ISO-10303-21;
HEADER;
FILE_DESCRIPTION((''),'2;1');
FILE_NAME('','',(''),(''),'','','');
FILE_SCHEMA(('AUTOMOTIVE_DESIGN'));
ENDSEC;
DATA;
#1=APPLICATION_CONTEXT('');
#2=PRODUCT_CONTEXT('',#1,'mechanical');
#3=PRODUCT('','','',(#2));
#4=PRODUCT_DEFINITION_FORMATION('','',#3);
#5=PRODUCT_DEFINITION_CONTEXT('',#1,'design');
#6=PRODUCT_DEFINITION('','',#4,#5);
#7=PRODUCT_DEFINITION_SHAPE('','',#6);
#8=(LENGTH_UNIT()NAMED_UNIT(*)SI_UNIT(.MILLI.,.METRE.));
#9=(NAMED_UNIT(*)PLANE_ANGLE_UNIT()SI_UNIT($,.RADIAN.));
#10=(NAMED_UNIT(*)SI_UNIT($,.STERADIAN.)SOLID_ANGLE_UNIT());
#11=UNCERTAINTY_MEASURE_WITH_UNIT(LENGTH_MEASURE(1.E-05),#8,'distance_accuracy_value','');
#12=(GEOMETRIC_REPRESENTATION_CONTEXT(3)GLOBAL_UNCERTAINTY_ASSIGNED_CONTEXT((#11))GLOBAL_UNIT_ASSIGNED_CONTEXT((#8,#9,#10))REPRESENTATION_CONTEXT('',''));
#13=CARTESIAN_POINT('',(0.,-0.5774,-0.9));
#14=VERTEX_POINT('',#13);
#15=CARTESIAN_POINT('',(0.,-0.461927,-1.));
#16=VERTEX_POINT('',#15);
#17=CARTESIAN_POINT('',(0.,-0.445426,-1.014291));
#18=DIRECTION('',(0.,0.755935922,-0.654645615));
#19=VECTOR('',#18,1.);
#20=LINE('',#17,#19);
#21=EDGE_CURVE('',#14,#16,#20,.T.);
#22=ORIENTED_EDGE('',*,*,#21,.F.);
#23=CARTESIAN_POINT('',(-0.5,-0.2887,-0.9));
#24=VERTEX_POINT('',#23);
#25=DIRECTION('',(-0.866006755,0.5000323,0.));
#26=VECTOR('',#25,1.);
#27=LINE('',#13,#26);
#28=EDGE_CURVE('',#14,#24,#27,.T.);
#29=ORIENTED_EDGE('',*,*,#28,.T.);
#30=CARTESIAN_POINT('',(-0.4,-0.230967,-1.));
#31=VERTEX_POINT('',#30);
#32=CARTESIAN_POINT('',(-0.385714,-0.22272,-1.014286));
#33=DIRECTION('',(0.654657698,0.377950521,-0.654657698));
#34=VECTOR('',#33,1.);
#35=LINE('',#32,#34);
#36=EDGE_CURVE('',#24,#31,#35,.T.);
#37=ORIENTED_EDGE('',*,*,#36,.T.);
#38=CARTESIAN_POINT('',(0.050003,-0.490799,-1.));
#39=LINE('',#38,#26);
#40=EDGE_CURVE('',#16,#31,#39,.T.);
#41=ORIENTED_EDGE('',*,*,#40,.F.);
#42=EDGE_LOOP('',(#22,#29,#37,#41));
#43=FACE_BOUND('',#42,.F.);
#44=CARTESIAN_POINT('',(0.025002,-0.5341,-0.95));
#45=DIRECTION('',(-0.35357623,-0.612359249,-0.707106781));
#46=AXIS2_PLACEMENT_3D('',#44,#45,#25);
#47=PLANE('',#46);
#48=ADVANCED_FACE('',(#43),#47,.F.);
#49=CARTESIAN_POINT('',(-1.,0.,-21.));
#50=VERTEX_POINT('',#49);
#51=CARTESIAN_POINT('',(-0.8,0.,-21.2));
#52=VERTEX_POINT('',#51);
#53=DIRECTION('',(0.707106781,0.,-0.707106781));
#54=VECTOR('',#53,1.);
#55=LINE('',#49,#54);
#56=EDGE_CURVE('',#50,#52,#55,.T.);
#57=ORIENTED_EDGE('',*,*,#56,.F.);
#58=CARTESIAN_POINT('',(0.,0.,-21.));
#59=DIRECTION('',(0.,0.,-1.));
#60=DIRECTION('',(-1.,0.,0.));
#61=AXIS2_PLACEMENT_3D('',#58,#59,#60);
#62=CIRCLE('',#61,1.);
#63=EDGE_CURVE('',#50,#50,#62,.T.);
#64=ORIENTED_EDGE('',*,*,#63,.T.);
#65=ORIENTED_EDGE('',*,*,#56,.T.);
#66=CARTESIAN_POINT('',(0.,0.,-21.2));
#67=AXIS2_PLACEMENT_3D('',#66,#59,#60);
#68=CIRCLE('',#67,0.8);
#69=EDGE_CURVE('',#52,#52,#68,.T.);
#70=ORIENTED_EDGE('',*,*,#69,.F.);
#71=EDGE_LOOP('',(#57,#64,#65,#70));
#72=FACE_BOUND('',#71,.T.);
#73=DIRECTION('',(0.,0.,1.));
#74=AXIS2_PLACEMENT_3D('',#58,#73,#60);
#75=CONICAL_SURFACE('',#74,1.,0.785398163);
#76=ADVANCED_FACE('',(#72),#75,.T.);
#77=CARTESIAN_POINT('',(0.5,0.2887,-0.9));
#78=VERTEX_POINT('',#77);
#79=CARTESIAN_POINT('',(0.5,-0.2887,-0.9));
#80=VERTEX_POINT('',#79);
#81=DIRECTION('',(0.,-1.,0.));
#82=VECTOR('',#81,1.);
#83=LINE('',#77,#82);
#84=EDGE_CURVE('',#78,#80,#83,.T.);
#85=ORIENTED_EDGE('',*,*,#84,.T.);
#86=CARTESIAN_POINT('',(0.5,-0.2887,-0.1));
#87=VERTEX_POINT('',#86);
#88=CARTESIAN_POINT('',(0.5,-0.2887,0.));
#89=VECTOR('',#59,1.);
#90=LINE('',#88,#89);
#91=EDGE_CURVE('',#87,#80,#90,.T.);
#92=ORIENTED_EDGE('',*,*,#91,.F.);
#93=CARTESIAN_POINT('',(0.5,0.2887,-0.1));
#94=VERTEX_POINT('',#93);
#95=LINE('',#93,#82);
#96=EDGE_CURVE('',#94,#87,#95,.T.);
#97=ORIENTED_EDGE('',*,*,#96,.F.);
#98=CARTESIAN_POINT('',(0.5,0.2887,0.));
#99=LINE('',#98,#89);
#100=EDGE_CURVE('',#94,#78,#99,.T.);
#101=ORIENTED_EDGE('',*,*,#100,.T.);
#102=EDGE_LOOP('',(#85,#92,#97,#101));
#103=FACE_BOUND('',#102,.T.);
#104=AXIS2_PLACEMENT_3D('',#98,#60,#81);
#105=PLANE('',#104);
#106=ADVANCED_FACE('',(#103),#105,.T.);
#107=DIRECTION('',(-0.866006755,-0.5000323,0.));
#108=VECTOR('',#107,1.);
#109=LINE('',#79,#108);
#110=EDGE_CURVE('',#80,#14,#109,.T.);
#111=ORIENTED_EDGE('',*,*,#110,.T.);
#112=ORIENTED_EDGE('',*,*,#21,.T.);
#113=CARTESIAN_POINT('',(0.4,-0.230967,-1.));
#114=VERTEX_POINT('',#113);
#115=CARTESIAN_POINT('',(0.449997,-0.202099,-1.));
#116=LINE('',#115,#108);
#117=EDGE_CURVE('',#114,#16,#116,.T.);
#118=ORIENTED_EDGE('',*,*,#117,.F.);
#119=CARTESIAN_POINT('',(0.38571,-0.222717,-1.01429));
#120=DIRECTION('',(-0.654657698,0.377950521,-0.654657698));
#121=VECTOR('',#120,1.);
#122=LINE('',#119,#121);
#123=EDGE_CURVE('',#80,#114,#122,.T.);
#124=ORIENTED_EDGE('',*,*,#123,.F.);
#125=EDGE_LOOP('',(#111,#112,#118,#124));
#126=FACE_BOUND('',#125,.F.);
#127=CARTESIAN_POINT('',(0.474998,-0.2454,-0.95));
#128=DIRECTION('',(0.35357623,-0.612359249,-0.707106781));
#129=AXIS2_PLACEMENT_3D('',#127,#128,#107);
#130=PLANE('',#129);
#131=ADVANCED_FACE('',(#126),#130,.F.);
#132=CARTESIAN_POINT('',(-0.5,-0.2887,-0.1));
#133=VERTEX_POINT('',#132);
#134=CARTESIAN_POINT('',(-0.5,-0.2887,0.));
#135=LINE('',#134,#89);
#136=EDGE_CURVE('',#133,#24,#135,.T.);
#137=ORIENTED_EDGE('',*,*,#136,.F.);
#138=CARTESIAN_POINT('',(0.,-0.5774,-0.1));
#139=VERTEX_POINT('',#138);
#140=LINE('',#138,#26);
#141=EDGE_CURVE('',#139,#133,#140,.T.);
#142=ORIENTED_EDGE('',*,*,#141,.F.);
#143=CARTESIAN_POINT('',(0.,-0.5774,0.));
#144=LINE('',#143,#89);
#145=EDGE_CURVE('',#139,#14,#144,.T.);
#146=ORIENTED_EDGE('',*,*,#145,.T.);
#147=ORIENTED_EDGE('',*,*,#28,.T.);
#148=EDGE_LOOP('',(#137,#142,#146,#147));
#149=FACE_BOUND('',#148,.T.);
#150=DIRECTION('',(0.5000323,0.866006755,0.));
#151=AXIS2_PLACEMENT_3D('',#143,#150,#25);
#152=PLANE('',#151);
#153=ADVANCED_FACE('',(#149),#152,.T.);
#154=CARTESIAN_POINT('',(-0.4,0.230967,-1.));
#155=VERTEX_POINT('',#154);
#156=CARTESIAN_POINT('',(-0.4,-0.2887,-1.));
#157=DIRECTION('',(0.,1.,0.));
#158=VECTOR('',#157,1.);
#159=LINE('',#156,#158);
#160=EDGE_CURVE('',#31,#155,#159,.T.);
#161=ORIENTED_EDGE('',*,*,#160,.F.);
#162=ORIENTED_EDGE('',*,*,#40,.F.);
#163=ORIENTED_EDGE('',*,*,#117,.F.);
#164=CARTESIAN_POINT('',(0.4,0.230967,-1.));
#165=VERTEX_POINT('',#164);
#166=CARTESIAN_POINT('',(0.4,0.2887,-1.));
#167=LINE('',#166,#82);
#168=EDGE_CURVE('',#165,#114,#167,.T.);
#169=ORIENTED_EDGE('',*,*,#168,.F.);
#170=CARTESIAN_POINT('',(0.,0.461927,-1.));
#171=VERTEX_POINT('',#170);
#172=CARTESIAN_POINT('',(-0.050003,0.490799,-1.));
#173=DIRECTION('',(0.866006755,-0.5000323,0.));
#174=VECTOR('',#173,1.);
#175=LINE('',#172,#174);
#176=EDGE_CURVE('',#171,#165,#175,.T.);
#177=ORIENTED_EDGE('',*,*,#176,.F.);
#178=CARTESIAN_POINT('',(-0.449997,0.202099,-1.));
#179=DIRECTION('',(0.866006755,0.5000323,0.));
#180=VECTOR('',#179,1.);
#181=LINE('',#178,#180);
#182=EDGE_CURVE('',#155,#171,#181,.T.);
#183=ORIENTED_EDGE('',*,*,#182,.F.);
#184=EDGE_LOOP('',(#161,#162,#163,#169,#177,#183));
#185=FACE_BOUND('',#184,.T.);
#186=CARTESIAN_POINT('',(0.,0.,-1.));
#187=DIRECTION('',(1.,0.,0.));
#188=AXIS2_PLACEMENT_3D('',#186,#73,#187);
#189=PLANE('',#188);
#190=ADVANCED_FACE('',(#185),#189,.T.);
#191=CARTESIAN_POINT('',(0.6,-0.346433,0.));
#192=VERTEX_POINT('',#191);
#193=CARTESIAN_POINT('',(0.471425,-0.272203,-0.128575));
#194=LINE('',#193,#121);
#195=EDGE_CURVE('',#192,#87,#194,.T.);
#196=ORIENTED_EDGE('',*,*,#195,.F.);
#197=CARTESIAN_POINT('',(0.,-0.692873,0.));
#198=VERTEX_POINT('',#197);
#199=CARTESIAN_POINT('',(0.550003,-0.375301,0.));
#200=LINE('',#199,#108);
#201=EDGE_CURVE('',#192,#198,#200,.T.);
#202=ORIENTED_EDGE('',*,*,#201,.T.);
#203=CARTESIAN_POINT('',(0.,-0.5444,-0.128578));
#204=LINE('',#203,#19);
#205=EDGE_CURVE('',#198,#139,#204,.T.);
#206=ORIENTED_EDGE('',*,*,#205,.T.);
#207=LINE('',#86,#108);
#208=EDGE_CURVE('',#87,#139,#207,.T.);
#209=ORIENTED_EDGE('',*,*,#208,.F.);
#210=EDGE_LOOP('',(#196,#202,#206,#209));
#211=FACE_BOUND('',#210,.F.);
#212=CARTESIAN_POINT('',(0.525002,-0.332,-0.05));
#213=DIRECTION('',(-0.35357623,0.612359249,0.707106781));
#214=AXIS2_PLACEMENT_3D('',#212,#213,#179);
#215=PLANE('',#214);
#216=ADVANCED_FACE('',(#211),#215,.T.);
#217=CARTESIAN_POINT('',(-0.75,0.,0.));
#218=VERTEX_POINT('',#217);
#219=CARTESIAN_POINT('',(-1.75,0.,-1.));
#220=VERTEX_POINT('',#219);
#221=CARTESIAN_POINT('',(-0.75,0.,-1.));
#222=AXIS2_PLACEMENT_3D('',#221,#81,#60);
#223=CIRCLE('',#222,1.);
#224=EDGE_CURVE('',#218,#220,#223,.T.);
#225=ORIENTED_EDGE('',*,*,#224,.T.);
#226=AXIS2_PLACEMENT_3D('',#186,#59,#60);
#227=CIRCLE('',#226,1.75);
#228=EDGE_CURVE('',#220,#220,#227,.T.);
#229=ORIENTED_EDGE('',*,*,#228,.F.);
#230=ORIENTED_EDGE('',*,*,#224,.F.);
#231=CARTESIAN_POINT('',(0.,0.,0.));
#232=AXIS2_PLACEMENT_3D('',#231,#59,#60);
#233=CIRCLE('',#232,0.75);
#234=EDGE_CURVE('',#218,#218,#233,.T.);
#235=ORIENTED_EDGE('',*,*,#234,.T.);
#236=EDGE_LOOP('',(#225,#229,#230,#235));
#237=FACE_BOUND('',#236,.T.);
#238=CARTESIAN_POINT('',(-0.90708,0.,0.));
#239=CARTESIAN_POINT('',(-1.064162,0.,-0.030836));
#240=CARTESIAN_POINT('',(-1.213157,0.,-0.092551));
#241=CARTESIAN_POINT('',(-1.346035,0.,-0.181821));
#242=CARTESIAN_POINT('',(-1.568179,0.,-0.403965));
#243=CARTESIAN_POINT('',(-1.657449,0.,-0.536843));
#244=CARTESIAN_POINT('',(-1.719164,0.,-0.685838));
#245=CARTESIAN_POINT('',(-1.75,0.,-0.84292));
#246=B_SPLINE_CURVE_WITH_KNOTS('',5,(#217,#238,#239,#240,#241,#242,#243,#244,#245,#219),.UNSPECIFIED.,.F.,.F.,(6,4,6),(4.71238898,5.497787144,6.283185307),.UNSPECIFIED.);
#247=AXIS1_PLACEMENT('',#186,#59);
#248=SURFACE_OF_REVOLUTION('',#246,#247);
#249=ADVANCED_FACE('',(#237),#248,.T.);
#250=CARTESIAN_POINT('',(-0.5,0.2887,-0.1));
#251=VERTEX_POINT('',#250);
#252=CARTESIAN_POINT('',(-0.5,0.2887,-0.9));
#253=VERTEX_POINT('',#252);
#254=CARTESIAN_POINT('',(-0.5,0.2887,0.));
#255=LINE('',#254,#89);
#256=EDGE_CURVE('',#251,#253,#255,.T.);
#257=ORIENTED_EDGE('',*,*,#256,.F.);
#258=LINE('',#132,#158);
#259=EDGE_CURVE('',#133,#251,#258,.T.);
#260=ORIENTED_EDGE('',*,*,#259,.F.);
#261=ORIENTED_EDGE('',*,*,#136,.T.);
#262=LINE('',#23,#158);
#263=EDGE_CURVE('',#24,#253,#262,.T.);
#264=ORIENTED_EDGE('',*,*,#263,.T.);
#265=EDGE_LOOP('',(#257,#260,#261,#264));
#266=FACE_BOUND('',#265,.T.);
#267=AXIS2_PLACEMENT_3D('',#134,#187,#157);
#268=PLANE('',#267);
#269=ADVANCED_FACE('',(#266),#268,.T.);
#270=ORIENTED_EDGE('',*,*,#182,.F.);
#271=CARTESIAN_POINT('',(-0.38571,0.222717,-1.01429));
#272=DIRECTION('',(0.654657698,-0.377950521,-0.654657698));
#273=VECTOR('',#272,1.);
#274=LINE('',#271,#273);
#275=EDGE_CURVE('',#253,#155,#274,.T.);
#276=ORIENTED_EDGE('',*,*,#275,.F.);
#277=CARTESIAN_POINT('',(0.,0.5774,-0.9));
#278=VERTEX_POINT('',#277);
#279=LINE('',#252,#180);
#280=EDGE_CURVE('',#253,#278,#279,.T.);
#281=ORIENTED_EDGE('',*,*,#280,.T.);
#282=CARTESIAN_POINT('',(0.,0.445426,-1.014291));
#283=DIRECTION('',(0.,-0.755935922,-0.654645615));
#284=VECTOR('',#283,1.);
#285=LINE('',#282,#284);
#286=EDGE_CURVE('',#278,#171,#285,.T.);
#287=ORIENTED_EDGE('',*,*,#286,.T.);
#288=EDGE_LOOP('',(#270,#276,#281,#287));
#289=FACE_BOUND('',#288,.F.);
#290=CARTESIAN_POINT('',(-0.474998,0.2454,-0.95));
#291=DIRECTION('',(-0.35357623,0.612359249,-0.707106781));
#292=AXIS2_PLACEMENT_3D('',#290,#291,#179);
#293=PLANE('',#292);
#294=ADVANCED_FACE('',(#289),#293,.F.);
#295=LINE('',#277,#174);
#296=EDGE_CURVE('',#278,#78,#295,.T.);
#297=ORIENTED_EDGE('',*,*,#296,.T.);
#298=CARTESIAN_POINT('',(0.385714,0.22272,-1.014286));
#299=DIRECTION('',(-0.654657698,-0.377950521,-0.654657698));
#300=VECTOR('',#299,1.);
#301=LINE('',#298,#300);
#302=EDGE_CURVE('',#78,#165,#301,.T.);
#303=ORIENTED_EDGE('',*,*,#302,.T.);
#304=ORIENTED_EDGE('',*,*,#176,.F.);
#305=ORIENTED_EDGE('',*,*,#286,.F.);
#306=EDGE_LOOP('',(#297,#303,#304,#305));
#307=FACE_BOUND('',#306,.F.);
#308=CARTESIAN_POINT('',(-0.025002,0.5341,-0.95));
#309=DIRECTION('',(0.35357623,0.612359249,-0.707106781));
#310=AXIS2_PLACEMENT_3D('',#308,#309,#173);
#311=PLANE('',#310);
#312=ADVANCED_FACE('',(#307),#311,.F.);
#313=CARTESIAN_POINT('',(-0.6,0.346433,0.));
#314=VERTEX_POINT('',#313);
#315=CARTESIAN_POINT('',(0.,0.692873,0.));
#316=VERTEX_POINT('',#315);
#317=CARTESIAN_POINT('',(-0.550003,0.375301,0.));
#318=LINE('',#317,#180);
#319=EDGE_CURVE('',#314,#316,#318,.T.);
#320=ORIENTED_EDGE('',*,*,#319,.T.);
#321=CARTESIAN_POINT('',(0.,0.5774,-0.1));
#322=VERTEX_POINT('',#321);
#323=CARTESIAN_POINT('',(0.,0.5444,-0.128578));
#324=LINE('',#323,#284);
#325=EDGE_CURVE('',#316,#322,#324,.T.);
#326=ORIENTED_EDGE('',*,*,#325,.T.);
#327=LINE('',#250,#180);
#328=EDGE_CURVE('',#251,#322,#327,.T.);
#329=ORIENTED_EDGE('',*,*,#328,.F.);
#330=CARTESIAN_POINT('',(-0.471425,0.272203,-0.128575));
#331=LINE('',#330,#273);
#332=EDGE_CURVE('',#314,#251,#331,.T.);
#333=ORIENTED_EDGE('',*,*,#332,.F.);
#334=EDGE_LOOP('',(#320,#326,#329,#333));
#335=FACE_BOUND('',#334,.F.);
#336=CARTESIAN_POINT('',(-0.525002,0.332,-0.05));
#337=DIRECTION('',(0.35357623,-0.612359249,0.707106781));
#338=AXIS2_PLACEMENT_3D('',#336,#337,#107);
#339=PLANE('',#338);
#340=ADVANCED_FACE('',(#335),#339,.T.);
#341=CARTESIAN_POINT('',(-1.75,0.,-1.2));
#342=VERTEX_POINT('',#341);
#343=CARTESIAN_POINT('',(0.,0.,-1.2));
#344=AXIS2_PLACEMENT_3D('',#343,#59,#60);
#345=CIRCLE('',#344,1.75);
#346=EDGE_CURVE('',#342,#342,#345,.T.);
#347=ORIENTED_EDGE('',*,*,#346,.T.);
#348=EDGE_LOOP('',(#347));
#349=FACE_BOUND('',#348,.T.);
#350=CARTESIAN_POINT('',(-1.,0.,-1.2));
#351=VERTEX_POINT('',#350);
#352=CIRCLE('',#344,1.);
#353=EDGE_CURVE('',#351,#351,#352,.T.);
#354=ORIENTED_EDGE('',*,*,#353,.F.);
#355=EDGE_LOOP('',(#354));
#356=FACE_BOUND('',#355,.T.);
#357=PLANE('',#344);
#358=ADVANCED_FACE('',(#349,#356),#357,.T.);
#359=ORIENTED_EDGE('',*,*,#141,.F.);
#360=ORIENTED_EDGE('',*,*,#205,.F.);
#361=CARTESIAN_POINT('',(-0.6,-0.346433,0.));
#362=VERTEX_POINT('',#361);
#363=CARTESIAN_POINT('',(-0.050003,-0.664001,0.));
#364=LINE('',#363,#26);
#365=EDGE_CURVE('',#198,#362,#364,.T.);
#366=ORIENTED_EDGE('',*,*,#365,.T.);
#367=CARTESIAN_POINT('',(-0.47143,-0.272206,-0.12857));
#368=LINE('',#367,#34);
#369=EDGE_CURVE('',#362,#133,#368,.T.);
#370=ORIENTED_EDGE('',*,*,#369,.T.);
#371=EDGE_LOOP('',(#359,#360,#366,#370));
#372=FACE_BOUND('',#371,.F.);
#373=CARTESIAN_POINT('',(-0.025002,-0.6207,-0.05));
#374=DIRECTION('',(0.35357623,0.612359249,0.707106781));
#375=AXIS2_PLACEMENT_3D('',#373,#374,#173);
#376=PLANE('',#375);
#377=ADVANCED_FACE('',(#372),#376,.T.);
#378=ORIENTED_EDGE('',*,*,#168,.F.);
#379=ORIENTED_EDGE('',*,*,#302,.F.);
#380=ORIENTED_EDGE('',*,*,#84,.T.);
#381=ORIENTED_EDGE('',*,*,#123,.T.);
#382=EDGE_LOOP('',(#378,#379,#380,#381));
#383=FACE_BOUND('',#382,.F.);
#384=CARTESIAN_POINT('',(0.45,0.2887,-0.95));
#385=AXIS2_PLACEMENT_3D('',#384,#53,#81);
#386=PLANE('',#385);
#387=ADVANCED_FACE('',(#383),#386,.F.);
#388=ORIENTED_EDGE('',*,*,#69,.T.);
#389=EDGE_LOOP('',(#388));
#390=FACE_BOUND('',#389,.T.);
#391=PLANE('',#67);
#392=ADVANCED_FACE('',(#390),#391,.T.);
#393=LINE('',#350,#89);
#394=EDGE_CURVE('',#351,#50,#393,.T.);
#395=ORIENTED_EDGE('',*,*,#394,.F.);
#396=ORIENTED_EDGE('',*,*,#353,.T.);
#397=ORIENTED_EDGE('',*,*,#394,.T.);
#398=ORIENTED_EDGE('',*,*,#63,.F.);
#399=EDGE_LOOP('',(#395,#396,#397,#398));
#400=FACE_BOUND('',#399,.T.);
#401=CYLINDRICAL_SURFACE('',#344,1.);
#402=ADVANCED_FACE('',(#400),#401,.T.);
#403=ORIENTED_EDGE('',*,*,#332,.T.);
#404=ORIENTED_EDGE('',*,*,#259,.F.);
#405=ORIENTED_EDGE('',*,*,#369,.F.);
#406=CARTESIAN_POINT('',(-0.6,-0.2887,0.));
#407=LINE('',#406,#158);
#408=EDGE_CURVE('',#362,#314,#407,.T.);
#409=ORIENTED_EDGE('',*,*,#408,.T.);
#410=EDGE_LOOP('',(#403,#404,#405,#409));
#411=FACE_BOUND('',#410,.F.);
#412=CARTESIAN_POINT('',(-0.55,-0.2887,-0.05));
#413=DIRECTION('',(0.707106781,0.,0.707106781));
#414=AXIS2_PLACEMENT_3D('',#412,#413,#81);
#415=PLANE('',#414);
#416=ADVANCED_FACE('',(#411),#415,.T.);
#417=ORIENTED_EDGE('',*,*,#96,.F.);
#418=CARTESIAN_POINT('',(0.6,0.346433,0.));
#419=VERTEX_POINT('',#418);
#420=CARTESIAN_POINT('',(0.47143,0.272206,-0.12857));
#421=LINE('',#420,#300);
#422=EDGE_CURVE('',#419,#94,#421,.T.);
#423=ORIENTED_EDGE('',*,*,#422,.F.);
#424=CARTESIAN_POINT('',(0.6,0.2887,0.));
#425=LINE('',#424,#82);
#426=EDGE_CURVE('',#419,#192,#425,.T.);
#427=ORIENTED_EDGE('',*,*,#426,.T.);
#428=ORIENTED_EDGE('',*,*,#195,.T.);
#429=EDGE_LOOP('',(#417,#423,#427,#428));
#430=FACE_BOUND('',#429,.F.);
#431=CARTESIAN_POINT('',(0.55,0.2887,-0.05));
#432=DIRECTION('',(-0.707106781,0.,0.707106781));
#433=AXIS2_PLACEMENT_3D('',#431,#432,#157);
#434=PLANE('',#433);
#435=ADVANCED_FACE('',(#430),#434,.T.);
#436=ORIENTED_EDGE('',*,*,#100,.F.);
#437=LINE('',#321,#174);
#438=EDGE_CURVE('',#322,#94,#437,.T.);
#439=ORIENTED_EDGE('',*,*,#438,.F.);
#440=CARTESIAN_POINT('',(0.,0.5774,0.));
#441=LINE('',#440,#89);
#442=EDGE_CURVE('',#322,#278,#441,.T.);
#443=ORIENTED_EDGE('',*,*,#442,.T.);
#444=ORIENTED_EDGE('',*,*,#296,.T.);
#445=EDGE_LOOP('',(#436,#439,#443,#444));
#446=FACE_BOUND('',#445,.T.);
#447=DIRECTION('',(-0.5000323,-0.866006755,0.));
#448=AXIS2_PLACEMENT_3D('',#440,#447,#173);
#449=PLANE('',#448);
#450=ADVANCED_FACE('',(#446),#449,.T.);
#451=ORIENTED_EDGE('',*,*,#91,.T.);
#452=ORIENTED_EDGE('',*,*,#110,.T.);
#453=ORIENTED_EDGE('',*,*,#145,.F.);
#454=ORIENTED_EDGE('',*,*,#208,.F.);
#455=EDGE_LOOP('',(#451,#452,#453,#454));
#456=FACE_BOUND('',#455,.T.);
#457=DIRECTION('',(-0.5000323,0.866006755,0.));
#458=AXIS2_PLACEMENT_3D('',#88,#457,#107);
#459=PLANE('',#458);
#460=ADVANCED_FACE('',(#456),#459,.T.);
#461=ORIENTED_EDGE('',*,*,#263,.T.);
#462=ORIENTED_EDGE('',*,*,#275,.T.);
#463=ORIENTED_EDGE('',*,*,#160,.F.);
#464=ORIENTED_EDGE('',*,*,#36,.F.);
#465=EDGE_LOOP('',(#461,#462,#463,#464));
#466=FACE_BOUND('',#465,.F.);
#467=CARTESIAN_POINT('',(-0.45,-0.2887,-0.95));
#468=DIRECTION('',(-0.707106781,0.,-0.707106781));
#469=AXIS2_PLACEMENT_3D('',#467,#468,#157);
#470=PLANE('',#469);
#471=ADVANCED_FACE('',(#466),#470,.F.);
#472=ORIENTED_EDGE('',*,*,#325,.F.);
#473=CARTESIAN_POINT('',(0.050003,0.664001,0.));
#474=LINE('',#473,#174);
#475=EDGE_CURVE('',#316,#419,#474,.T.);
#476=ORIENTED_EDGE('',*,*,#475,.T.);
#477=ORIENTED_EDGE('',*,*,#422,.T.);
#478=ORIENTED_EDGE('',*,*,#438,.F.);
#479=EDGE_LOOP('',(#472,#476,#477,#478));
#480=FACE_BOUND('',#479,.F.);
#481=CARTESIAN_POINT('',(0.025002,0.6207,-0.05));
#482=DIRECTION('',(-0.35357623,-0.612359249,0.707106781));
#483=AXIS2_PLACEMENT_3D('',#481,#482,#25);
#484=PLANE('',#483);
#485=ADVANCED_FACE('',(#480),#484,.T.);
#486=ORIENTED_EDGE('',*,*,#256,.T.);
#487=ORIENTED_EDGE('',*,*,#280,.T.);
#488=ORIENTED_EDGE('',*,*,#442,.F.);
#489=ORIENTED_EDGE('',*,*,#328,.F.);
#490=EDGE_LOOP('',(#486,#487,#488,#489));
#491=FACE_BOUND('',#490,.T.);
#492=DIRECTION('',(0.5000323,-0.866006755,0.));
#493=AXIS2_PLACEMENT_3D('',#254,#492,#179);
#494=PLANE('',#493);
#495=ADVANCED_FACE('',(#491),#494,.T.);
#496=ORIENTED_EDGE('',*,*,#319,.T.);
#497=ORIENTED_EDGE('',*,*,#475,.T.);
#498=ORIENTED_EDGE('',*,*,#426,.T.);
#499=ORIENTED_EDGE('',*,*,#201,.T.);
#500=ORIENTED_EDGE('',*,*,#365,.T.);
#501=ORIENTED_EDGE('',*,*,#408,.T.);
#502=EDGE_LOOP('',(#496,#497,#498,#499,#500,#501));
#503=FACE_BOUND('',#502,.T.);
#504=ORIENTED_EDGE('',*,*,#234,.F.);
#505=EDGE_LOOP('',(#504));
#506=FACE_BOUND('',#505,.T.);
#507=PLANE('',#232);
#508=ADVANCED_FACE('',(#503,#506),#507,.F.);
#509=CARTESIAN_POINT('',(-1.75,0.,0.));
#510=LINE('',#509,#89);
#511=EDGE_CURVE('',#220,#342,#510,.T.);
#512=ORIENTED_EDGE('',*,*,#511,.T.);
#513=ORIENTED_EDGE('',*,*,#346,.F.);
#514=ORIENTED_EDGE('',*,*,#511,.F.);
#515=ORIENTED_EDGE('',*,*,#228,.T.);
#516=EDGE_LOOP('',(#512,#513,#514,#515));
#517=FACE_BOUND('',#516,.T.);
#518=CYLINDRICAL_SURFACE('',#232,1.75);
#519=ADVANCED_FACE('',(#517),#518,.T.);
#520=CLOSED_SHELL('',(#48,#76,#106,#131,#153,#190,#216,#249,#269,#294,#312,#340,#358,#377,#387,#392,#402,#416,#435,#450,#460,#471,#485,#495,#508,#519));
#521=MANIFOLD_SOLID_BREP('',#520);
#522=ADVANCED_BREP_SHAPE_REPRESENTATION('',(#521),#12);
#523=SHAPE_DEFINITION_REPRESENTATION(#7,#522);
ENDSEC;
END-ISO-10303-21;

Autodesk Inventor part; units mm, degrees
ref_plane "YZ Plane" through (0, 0, 0) normal (1, 0, 0) x (0, 1, 0)
ref_plane "XZ Plane" through (0, 0, 0) normal (0, 1, 0) x (-1, 0, 0)
ref_plane "XY Plane" through (0, 0, 0) normal (0, 0, 1) x (1, 0, 0)
sketch "Sketch2" plane through (0, 0, 0) normal (0, 1, 0) x (-1, 0, 0)
  line L0 (0, 0) -> (1.75, 0)
  line L1 (1.75, 0) -> (1.75, -1.2)
  line L2 (1.75, -1.2) -> (1, -1.2)
  line L3 (1, -1.2) -> (1, -21.2)
  line L4 (1, -21.2) -> (0, -21.2)
  line L5 (0, 0) -> (0, -21.2)
  dimension "d9" = 1.75
  dimension "d10" = 1.2
  dimension "d12" = 20
  dimension "d19" = 2
revolve "Revolution1" add sketch "Sketch2" angle 360 about axis through (0, 0, 0) along (0, 0, -1)
fillet "Fillet1" radius 1 1 edges at (1.75, 0, 0)
chamfer "Chamfer1" distance 0.2 angle 45 1 edges at (1, 0, -21.2)
thread "Thread1" size "M2x0.4" class "6g" standard "ANSI Metric M Profile" full length
sketch "Sketch4" plane through (0, 0, 0) normal (0, 0, 1) x (1, 0, 0)
  line L0 (0, 0.5774) -> (0.5, 0.2887)
  line L1 (0.5, 0.2887) -> (0.5, -0.2887)
  line L2 (0.5, -0.2887) -> (0, -0.5774)
  line L3 (0, -0.5774) -> (-0.5, -0.2887)
  line L4 (-0.5, -0.2887) -> (-0.5, 0.2887)
  line L5 (-0.5, 0.2887) -> (0, 0.5774)
  point P0 (0, 0)
  point P1 (0, 0)
  dimension "d22" = 1
  dimension "d24" = 0.2887
extrude "Extrusion2" cut sketch "Sketch4" against normal blind 1
chamfer "Chamfer2" distance 0.1 angle 45 12 edges at (-0.5, 0, 0) (-0.25, 0.433, 0) (0.25, 0.433, 0) (0.5, 0, 0) (0.25, -0.433, 0) (-0.25, -0.433, 0) (-0.25, 0.433, -1) (-0.5, 0, -1) (-0.25, -0.433, -1) (0.25, -0.433, -1) (0.5, 0, -1) (0.25, 0.433, -1)
properties part number "rapoukHexagonScrewM2×20v0" material "Steel, Carbon"
